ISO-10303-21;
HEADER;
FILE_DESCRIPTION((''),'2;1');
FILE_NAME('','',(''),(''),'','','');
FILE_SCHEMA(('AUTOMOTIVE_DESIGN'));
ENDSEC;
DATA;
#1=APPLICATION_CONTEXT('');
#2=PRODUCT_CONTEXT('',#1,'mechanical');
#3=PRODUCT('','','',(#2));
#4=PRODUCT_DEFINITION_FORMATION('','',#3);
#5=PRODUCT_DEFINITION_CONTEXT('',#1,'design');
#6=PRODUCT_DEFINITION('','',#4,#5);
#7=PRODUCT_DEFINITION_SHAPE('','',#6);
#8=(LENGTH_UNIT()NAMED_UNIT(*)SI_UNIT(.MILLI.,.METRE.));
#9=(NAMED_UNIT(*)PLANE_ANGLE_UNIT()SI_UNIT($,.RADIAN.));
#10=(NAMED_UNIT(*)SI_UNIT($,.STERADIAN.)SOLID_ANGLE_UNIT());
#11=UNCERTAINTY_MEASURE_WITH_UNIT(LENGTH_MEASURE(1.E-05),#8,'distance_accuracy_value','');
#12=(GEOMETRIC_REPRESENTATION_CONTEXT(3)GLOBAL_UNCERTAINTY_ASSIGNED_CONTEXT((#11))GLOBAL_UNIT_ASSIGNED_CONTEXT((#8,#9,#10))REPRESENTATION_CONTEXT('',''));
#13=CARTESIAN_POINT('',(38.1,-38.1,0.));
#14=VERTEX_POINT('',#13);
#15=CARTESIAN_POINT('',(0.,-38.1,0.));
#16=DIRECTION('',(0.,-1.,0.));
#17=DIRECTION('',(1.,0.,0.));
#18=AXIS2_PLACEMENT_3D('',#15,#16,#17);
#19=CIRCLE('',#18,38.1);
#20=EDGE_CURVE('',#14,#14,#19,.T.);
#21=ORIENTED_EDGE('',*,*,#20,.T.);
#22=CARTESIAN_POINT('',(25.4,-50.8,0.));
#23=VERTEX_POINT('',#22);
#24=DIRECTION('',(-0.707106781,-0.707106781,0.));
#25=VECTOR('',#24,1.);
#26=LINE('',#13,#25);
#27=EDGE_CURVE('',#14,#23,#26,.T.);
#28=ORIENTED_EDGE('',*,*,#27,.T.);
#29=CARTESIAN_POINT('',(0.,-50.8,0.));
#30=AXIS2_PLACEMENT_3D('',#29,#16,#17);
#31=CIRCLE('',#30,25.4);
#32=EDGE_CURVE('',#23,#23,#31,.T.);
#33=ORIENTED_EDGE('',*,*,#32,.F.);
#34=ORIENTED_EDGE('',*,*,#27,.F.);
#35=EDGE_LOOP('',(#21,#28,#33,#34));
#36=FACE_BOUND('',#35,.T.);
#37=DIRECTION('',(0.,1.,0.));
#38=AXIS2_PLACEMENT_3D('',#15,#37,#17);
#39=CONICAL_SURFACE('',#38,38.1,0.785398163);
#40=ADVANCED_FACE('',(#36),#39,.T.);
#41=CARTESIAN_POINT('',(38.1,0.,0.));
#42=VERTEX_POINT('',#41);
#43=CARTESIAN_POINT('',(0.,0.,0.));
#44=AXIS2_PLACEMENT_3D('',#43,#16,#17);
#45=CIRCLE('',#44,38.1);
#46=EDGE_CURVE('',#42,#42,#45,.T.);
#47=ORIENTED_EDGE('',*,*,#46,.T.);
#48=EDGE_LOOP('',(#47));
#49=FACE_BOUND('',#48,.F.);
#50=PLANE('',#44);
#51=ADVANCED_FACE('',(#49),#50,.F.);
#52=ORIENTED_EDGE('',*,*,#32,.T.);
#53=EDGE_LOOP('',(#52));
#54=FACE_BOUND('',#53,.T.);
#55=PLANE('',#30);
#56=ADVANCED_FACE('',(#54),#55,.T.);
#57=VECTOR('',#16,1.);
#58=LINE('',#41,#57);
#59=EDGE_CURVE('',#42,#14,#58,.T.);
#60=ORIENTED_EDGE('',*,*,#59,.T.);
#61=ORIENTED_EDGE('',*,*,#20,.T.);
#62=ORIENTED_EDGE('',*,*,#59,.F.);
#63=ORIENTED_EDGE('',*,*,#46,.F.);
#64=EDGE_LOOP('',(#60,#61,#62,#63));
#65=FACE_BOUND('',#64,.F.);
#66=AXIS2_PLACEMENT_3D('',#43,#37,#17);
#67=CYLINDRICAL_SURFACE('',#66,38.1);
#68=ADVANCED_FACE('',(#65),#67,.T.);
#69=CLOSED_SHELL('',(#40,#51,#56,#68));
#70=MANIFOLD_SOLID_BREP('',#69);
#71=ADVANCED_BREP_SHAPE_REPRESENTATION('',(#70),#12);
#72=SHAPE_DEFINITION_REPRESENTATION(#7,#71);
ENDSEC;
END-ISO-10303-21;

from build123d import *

# Parameters (mm, degrees)
F0_R     = 38.1
F1_DEPTH = 50.8
F2_SIZE  = 12.7


with BuildPart() as f1:
    # F0 (on Front) → F1 (new body)
    with BuildSketch(Plane.XZ):
        Circle(F0_R)
    extrude(amount=F1_DEPTH)

    # F2
    f2_edges = [f1.edges().sort_by_distance(p)[0] for p in [
        (-38.1, -50.8, 0),
    ]]
    chamfer(f2_edges, length=F2_SIZE)


solid = f1.part
